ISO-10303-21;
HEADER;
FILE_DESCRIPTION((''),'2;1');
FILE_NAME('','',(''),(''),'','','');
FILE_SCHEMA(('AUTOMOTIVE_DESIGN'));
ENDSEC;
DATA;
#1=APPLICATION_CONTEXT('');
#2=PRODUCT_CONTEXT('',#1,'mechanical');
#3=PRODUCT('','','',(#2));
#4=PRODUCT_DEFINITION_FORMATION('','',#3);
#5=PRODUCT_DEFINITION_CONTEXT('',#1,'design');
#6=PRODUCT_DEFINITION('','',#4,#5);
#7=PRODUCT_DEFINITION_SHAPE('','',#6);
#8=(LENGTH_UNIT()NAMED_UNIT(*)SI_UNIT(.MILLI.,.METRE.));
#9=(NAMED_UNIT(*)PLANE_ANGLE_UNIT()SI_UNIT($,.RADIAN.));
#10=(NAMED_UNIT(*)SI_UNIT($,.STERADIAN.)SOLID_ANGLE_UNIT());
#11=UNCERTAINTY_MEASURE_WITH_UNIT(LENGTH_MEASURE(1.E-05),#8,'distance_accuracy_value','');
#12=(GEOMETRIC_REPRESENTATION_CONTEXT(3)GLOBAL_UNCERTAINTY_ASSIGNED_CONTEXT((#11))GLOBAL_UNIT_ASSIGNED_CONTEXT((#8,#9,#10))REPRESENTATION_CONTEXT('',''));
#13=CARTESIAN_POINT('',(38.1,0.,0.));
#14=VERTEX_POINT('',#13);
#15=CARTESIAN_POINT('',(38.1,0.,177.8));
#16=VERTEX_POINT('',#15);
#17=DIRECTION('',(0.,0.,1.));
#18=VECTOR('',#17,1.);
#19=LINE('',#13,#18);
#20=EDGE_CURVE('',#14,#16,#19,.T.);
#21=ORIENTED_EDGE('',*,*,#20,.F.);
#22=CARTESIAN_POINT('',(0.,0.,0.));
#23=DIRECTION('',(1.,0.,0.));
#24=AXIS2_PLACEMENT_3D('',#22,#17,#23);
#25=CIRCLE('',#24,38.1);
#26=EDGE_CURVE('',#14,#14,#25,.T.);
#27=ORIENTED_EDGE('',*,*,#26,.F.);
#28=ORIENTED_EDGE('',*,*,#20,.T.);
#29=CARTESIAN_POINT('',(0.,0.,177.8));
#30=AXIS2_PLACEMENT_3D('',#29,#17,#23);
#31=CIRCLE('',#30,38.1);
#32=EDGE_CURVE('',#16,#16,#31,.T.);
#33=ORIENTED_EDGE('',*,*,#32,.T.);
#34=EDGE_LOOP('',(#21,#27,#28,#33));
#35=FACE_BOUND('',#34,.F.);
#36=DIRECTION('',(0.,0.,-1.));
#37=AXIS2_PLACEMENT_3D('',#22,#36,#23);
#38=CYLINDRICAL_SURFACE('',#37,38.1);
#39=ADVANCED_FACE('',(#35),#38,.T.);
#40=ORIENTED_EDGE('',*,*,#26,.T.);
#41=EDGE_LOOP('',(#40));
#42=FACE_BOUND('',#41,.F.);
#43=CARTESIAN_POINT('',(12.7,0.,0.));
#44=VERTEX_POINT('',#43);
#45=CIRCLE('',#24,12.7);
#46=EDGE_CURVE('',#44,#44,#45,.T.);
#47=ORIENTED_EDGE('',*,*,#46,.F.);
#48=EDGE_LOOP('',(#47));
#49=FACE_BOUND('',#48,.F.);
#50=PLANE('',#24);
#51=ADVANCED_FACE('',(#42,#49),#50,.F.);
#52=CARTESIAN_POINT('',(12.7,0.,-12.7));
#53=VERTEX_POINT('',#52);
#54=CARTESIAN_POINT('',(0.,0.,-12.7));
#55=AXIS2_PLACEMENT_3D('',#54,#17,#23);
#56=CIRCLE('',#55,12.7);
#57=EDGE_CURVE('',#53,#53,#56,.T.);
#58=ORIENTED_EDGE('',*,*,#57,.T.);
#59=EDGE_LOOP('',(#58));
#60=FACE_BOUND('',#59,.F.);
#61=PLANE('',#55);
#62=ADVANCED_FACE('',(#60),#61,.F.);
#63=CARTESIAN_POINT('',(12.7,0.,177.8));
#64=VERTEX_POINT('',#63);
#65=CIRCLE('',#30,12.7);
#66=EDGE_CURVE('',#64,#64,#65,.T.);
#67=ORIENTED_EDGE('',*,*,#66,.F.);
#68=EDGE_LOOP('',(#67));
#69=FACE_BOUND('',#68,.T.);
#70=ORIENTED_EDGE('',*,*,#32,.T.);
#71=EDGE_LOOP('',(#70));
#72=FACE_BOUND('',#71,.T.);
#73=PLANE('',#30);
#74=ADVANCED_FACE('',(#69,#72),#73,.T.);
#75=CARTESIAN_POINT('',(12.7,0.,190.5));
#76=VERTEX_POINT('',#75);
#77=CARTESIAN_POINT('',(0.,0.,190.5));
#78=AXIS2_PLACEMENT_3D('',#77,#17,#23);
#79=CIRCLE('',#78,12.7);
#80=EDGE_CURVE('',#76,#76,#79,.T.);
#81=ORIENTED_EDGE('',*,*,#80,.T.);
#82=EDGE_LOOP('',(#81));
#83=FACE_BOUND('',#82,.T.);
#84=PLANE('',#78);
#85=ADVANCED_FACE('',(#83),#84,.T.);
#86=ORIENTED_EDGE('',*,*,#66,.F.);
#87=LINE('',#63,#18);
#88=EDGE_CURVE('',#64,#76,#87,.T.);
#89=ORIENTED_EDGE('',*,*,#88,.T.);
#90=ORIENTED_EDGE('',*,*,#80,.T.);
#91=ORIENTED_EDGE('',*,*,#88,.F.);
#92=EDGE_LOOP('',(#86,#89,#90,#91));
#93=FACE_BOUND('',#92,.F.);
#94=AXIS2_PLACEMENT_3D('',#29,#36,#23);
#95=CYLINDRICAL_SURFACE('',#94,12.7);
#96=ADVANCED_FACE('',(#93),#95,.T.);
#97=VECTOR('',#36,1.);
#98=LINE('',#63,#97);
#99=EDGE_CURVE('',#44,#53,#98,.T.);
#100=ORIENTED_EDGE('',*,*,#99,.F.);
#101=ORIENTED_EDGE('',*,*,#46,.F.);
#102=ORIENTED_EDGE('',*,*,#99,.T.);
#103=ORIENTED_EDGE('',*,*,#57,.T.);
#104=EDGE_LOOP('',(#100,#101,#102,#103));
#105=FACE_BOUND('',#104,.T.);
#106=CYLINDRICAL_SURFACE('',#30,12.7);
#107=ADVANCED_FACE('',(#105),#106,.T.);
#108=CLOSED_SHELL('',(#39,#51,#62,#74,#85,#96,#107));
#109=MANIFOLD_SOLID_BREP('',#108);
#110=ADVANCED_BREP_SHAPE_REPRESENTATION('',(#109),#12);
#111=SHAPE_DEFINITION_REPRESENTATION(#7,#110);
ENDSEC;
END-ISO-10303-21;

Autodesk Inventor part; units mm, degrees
ref_plane "YZ Plane" through (0, 0, 0) normal (1, 0, 0) x (0, 1, 0)
ref_plane "XZ Plane" through (0, 0, 0) normal (0, 1, 0) x (-1, 0, 0)
ref_plane "XY Plane" through (0, 0, 0) normal (0, 0, 1) x (1, 0, 0)
sketch "Sketch1" plane through (0, 0, 0) normal (0, 0, 1) x (1, 0, 0)
  circle A0 centre (0, 0) radius 38.1
  dimension "d0" = 76.2
extrude "Extrusion1" add sketch "Sketch1" along normal blind 177.8
sketch "Sketch2" plane through (0, 0, 177.8) normal (0, 0, 1) x (1, 0, 0)
  circle A0 centre (0, 0) radius 38.1 projected
  circle A1 centre (0, 0) radius 12.7
  dimension "d3" = 25.4
extrude "Extrusion2" add sketch "Sketch2" along normal blind 12.7 and the other way blind 190.5 contours A1
properties part number "Shooter_LowerMotor"
